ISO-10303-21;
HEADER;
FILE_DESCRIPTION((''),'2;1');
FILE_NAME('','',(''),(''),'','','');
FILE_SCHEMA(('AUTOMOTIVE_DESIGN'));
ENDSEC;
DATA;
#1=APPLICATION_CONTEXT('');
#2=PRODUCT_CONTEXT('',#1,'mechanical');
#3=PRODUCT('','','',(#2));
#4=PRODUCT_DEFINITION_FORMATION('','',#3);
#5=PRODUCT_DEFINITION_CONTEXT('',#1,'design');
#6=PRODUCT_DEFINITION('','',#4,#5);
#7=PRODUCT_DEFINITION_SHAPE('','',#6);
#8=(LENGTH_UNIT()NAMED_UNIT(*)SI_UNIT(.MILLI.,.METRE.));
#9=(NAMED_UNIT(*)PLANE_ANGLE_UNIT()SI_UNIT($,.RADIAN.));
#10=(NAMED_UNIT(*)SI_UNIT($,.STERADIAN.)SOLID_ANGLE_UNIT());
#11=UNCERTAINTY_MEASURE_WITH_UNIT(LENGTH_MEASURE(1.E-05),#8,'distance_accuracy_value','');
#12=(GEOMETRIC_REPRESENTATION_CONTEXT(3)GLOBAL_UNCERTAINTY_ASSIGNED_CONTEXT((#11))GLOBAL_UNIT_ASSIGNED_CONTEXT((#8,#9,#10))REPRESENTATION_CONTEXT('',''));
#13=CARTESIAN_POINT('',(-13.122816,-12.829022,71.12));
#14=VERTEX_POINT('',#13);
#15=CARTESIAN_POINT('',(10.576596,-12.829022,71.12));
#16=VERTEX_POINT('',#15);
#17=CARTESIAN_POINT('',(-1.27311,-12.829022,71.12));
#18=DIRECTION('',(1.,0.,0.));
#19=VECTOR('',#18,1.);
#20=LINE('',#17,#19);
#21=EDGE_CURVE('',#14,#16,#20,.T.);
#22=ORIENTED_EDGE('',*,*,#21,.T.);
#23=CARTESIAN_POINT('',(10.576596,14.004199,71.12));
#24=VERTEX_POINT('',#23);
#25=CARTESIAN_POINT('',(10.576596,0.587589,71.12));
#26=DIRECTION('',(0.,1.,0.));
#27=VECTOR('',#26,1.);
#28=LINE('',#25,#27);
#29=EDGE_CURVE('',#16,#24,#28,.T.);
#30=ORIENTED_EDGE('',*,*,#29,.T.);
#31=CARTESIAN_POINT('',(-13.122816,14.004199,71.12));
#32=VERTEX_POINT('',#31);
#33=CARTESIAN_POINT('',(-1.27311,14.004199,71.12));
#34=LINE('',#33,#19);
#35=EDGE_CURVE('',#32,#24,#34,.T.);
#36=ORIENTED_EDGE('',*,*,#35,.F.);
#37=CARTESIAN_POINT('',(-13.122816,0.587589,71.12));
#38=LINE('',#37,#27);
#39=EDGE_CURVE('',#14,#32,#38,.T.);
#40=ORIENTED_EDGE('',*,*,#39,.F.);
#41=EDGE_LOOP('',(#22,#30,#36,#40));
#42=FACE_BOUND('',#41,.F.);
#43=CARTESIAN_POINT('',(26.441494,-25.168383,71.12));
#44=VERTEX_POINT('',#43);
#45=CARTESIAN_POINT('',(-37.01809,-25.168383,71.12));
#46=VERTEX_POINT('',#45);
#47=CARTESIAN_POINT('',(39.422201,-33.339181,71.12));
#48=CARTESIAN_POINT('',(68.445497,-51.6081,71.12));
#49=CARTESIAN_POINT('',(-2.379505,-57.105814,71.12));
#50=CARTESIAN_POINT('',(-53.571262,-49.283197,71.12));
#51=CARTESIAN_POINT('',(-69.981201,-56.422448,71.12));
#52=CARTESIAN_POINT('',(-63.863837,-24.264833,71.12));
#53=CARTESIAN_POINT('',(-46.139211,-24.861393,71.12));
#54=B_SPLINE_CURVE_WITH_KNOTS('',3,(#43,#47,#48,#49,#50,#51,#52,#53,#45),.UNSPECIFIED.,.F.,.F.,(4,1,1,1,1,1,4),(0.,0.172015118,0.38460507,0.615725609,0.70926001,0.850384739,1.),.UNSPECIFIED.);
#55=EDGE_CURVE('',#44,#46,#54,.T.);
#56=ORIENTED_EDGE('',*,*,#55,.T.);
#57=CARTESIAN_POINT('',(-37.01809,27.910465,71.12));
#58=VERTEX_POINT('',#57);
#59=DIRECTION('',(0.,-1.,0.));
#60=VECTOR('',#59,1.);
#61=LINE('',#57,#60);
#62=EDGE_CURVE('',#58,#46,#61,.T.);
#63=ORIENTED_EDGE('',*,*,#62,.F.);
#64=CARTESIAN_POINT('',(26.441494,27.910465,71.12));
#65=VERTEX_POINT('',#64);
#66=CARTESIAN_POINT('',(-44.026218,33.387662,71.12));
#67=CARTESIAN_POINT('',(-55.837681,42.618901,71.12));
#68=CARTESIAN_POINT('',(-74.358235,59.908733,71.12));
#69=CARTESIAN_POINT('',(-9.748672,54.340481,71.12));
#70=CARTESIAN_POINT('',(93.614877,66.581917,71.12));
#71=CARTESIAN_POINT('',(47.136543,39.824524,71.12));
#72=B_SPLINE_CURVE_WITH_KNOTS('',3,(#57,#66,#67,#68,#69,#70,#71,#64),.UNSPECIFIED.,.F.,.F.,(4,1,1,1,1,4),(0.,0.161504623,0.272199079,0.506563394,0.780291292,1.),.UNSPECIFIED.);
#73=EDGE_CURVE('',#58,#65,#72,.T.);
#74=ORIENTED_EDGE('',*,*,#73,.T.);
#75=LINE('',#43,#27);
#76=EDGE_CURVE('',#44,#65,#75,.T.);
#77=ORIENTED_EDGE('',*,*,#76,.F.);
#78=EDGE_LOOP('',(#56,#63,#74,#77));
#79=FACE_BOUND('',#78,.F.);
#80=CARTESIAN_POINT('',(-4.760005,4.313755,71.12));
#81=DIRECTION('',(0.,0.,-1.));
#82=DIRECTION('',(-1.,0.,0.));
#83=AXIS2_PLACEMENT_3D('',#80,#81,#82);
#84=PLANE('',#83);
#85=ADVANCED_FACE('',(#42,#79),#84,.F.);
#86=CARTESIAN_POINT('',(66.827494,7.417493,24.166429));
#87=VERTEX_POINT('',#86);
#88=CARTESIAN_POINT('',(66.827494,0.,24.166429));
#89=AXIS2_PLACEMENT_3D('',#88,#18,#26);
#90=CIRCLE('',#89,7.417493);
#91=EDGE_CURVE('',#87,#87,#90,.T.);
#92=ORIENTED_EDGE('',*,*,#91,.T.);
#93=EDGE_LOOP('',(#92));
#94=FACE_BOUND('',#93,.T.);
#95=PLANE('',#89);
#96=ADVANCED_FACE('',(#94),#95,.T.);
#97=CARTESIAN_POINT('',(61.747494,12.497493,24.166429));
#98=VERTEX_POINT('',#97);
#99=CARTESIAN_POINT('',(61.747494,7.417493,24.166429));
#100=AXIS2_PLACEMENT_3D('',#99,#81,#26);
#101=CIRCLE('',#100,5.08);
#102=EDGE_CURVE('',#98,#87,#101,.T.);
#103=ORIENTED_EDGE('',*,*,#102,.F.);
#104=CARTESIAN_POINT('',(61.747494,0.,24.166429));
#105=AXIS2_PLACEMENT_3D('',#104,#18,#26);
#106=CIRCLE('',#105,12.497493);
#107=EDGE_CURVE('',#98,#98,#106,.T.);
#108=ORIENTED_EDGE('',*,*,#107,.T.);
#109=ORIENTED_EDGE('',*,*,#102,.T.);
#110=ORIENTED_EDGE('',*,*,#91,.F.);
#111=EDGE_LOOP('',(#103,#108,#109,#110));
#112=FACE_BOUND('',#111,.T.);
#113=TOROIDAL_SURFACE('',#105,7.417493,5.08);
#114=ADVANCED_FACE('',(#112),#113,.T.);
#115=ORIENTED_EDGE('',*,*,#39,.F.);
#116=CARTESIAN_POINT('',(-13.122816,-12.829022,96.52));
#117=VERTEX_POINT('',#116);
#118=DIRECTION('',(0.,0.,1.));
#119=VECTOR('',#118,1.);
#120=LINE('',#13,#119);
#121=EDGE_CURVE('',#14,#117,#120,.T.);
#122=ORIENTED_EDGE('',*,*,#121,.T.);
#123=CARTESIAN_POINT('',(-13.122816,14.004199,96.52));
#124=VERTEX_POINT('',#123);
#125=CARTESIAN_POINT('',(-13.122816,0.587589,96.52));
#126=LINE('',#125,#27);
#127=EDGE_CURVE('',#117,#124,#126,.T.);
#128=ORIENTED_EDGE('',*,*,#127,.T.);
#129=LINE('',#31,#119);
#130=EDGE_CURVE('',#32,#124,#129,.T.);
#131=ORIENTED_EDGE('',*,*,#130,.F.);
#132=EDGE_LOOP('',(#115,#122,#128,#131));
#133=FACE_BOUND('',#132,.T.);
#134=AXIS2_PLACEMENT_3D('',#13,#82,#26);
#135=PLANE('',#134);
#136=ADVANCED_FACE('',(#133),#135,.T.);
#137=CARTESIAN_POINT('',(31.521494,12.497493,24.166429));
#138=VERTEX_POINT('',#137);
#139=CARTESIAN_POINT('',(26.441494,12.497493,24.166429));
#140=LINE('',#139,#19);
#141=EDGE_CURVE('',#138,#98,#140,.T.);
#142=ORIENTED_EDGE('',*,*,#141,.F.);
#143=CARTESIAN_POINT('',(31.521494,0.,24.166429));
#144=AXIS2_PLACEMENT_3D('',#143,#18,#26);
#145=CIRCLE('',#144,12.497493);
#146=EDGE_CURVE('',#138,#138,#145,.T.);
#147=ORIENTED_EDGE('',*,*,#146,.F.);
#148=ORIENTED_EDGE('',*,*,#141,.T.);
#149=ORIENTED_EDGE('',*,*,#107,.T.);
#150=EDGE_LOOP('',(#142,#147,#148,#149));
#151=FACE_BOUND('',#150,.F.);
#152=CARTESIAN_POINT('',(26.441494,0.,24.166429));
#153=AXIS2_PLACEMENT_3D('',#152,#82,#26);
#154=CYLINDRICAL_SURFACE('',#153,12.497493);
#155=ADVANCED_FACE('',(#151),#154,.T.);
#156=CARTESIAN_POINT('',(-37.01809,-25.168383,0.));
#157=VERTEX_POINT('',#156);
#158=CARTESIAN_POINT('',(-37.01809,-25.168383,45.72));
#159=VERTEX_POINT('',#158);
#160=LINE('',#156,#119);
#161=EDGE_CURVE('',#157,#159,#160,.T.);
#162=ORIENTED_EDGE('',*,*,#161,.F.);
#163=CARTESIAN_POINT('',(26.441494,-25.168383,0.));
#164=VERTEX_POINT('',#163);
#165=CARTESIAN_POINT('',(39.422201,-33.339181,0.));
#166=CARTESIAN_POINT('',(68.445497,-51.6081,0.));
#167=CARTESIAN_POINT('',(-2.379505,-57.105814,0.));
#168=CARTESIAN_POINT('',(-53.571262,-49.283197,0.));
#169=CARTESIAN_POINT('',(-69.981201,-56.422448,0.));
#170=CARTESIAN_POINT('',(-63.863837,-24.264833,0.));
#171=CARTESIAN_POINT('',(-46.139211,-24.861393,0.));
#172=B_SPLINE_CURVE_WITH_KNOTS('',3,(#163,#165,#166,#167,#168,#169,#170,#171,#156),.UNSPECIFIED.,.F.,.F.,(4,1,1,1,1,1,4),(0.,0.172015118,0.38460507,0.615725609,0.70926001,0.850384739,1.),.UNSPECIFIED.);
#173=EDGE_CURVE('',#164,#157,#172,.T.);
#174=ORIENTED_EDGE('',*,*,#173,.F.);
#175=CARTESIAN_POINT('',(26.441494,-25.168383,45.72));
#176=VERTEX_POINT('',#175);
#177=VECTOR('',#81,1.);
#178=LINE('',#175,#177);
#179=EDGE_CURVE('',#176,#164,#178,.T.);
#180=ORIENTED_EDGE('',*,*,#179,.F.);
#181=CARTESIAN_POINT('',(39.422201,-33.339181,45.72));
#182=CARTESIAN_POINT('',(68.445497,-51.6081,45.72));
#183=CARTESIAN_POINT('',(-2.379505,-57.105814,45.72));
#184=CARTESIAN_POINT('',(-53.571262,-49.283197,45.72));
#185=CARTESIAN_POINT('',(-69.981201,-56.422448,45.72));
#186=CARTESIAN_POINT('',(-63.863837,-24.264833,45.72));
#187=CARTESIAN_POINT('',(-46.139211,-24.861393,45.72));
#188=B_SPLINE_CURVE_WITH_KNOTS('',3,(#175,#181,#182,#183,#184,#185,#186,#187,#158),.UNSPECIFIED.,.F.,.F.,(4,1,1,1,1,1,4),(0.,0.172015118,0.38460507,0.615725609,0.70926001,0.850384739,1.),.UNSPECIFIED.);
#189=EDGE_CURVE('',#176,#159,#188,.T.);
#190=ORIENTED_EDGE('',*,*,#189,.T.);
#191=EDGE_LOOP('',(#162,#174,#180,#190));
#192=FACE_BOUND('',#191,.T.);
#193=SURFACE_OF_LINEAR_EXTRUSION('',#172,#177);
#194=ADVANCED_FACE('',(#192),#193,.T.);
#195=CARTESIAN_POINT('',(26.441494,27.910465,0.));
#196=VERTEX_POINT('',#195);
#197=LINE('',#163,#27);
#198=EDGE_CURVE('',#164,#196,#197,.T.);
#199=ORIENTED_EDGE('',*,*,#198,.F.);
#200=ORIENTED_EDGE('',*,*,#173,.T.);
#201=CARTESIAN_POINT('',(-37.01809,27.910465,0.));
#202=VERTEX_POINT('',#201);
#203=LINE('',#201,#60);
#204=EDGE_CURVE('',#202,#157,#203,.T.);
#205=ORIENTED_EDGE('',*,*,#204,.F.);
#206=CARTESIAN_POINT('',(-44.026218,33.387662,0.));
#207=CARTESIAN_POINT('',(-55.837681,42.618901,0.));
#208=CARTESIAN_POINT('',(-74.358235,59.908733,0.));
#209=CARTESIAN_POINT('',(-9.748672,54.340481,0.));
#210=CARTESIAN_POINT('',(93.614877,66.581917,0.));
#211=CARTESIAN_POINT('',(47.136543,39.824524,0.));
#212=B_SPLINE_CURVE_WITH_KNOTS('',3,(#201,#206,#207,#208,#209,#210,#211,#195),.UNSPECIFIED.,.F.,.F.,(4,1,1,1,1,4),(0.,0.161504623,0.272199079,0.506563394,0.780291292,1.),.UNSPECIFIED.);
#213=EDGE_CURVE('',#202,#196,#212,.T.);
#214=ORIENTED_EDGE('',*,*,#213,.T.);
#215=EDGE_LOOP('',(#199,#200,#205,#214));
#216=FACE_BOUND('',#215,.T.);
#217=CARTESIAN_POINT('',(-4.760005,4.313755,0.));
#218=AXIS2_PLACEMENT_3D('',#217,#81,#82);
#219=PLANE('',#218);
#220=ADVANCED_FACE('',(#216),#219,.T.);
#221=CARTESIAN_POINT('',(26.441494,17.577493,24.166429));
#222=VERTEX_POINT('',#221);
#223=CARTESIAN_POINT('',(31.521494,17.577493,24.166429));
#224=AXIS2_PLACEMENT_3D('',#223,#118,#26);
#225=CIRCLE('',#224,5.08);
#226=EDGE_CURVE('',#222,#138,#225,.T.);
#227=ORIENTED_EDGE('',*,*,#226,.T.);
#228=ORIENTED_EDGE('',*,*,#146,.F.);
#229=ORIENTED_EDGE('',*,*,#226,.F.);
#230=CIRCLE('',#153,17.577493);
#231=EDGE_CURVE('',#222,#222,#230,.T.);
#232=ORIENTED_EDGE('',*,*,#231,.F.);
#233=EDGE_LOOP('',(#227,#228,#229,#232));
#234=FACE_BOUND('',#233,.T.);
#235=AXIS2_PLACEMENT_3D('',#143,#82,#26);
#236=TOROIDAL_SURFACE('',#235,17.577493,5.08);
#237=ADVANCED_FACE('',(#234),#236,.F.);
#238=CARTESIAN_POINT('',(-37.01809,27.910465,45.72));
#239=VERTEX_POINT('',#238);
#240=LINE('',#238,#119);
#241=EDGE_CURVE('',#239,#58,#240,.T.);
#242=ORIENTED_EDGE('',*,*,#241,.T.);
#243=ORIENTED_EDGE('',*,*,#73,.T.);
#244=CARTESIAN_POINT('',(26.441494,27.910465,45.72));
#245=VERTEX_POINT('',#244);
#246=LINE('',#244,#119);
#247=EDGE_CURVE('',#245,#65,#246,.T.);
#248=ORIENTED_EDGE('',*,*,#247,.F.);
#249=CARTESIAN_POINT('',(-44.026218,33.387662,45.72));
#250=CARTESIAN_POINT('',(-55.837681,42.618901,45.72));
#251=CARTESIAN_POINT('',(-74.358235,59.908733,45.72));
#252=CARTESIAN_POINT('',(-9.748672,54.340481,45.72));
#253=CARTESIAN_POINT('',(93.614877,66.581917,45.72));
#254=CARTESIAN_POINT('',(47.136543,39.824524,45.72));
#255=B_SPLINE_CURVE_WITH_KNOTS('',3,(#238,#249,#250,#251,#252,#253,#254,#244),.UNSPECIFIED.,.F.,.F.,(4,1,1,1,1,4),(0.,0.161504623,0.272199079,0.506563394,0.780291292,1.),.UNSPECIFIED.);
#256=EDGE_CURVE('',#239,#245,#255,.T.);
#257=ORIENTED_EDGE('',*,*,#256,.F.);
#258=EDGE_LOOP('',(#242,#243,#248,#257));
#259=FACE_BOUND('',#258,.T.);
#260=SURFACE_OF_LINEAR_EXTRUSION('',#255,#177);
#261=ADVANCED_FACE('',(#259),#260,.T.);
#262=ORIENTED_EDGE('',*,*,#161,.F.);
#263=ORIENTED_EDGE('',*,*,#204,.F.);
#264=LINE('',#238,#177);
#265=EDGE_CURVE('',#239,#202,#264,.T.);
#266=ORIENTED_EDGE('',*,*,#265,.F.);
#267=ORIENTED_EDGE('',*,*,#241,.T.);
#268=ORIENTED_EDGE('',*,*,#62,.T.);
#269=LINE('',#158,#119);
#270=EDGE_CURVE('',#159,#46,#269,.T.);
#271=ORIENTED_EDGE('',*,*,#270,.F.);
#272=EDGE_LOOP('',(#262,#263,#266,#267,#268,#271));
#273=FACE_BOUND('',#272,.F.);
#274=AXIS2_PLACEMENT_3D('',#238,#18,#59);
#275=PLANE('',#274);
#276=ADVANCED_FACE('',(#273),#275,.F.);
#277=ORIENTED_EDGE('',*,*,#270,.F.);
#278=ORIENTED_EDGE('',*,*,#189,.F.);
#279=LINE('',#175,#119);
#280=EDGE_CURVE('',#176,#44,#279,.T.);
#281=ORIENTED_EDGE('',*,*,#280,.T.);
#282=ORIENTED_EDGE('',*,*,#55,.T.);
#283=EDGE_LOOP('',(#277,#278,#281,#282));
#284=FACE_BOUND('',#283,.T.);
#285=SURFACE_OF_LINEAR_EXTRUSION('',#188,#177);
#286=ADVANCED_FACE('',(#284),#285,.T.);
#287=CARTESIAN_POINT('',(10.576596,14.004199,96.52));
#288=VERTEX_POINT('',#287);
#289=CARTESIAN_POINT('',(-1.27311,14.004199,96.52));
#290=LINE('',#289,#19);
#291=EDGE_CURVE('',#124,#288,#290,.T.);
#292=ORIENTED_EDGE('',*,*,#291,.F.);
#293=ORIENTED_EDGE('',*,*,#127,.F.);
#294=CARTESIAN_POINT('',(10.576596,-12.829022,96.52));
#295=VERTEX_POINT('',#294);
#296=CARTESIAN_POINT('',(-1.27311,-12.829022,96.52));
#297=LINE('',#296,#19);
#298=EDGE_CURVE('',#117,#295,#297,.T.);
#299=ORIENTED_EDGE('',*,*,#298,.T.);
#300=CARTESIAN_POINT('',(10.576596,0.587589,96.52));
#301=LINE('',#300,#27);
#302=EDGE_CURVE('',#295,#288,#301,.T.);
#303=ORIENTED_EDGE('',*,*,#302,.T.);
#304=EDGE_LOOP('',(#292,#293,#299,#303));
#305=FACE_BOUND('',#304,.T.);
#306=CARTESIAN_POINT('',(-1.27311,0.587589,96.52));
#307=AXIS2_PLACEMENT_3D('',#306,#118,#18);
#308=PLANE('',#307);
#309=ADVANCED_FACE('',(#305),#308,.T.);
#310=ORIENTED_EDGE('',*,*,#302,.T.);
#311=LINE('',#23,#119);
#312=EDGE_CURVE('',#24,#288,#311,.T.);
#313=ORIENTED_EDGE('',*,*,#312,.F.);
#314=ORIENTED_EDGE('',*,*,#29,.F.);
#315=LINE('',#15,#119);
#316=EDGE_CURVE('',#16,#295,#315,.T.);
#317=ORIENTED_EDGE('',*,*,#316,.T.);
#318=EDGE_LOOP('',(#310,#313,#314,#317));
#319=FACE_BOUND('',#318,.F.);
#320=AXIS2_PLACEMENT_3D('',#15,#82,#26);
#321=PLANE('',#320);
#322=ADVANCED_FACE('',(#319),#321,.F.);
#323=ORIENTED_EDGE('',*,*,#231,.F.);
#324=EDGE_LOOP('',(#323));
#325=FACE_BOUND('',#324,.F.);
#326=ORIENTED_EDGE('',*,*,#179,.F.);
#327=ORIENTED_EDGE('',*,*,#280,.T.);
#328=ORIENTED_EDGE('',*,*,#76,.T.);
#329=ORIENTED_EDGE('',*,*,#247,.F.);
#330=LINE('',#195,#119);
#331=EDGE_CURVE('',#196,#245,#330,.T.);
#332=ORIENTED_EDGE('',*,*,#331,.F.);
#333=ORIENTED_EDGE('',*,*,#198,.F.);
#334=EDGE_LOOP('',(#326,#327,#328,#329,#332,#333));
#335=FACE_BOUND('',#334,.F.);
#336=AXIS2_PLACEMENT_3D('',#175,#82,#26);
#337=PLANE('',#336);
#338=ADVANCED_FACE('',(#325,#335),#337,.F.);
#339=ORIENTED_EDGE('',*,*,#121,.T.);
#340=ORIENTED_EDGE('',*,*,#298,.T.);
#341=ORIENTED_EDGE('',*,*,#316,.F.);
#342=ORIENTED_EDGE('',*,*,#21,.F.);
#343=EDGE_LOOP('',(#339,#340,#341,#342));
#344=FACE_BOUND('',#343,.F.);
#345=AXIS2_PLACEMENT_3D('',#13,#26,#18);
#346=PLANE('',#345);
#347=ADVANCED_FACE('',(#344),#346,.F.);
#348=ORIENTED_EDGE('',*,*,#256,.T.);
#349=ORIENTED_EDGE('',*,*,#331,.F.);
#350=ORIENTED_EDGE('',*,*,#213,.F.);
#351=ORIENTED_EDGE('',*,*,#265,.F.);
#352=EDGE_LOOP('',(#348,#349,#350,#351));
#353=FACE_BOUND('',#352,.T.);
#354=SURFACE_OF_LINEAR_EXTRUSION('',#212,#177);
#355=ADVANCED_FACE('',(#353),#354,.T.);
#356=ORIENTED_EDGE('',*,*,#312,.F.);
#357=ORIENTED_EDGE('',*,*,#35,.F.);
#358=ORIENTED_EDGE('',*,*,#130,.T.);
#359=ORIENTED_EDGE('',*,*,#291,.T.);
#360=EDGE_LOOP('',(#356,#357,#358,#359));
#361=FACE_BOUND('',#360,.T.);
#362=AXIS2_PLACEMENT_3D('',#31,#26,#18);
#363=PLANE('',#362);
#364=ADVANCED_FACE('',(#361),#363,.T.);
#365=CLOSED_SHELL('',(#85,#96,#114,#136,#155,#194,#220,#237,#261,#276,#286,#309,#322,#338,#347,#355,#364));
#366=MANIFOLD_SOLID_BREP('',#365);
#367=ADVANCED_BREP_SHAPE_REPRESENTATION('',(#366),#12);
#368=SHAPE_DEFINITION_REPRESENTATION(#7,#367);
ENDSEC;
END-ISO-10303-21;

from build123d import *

# Parameters (mm, degrees)
F1_DEPTH = 45.72
F2_R     = 12.4974932992
F3_DEPTH = 40.386
F4_R     = 5.08
F5_W     = 28.9877112955
F5_H     = 43.2857032865
F6_DEPTH = 25.4
F7_W     = 23.6994121224
F7_H     = 26.833220385
F8_DEPTH = 25.4


with BuildPart() as f1:
    # F0 (on Top) → F1 (new body)
    with BuildSketch(Plane.XY):
        with BuildLine():
            add(Edge.make_bspline(
                [(-37.0180904865, 27.9104653746), (-44.0262181446, 33.3876618144), (-55.8376812654, 42.618901157), (-74.3582353785, 59.9087325476), (-9.7486724923, 54.3404813051), (93.6148765495, 66.5819174177), (47.1365427977, 39.8245235425), (26.4414940029, 27.9104653746)],
                knots=[0, 0, 0, 0, 0.1615046227, 0.2721990791, 0.5065633939, 0.7802912924, 1, 1, 1, 1], degree=3))
            Line((-37.0180904865, 27.9104653746), (-37.0180904865, -25.168383494))
            add(Edge.make_bspline(
                [(26.4414940029, -25.168383494), (39.4222010461, -33.3391810672), (68.4454973322, -51.6080995531), (-2.3795046828, -57.1058141044), (-53.5712618708, -49.2831973981), (-69.9812010465, -56.4224478617), (-63.8638372564, -24.2648327427), (-46.139211205, -24.861392761), (-37.0180904865, -25.168383494)],
                knots=[0, 0, 0, 0, 0.1720151184, 0.3846050704, 0.6157256085, 0.7092600098, 0.8503847393, 1, 1, 1, 1], degree=3))
            Line((26.4414940029, -25.168383494), (26.4414940029, 27.9104653746))
        make_face()
    extrude(amount=F1_DEPTH)

    # F2 (on face) → F3 (join)
    with BuildSketch(Plane.YZ.offset(26.4414940029)):
        with Locations((0, 24.1664294153)):
            Circle(F2_R)
    extrude(amount=F3_DEPTH)

    # F4
    f4_edges = [f1.edges().sort_by_distance(p)[0] for p in [
        (46.634494, 12.497493, 24.166429),
        (26.441494, -12.497493, 24.166429),
        (66.827494, -12.497493, 24.166429),
    ]]
    fillet(f4_edges, radius=F4_R)

    # F5 (on face) + F1_face1 (on face) + F1_face2 (on face) → F6 (join)
    with BuildSketch(Plane.XY.offset(45.72)):
        with BuildLine():
            add(Edge.make_bspline(
                [(-37.0180904865, 27.9104653746), (-44.0262181446, 33.3876618144), (-55.8376812654, 42.618901157), (-74.3582353785, 59.9087325476), (-9.7486724923, 54.3404813051), (93.6148765495, 66.5819174177), (47.1365427977, 39.8245235425), (26.4414940029, 27.9104653746)],
                knots=[0, 0, 0, 0, 0.1615046227, 0.2721990791, 0.5065633939, 0.7802912924, 1, 1, 1, 1], degree=3))
            Line((-37.0180904865, 27.9104653746), (-37.0180904865, -25.168383494))
            add(Edge.make_bspline(
                [(26.4414940029, -25.168383494), (39.4222010461, -33.3391810672), (68.4454973322, -51.6080995531), (-2.3795046828, -57.1058141044), (-53.5712618708, -49.2831973981), (-69.9812010465, -56.4224478617), (-63.8638372564, -24.2648327427), (-46.139211205, -24.861392761), (-37.0180904865, -25.168383494)],
                knots=[0, 0, 0, 0, 0.1720151184, 0.3846050704, 0.6157256085, 0.7092600098, 0.8503847393, 1, 1, 1, 1], degree=3))
            Line((26.4414940029, -25.168383494), (26.4414940029, 27.9104653746))
        make_face()
        with Locations((-3.1338064, 3.1338064)):
            Rectangle(F5_W, F5_H, mode=Mode.SUBTRACT)
        with Locations((-3.1338064, 3.1338064)):
            Rectangle(F5_W, F5_H)
    with BuildSketch(Plane(origin=(-5.0458148785, 2.7981816275, 45.72), x_dir=(1, 0, 0), z_dir=(0, 0, 1))):
        with BuildLine():
            add(Edge.make_bspline(
                [(-31.9722756081, 25.1122837471), (-38.9804032661, 30.5894801869), (-50.7918663869, 39.8207195294), (-69.3124205, 57.1105509201), (-4.7028576138, 51.5422996775), (98.6606914279, 63.7837357902), (52.1823576762, 37.026341915), (31.4873088814, 25.1122837471)],
                knots=[0, 0, 0, 0, 0.1615046227, 0.2721990791, 0.5065633939, 0.7802912924, 1, 1, 1, 1], degree=3))
            Line((-31.9722756081, 25.1122837471), (-31.9722756081, -27.9665651215))
            add(Edge.make_bspline(
                [(31.4873088814, -27.9665651215), (44.4680159246, -36.1373626947), (73.4913122106, -54.4062811806), (2.6663101956, -59.903995732), (-48.5254469923, -52.0813790257), (-64.935386168, -59.2206294892), (-58.8180223779, -27.0630143702), (-41.0933963265, -27.6595743886), (-31.9722756081, -27.9665651215)],
                knots=[0, 0, 0, 0, 0.1720151184, 0.3846050704, 0.6157256085, 0.7092600098, 0.8503847393, 1, 1, 1, 1], degree=3))
            Line((31.4873088814, -27.9665651215), (31.4873088814, 25.1122837471))
        make_face()
    with BuildSketch(Plane(origin=(-5.0458148785, 2.7981816275, 0), x_dir=(1, 0, 0), z_dir=(0, 0, -1))):
        with BuildLine():
            add(Edge.make_bspline(
                [(-31.9722756081, -25.1122837471), (-38.9804032661, -30.5894801869), (-50.7918663869, -39.8207195294), (-69.3124205, -57.1105509201), (-4.7028576138, -51.5422996775), (98.6606914279, -63.7837357902), (52.1823576762, -37.026341915), (31.4873088814, -25.1122837471)],
                knots=[0, 0, 0, 0, 0.1615046227, 0.2721990791, 0.5065633939, 0.7802912924, 1, 1, 1, 1], degree=3))
            Line((31.4873088814, -25.1122837471), (31.4873088814, 27.9665651215))
            add(Edge.make_bspline(
                [(31.4873088814, 27.9665651215), (44.4680159246, 36.1373626947), (73.4913122106, 54.4062811806), (2.6663101956, 59.903995732), (-48.5254469923, 52.0813790257), (-64.935386168, 59.2206294892), (-58.8180223779, 27.0630143702), (-41.0933963265, 27.6595743886), (-31.9722756081, 27.9665651215)],
                knots=[0, 0, 0, 0, 0.1720151184, 0.3846050704, 0.6157256085, 0.7092600098, 0.8503847393, 1, 1, 1, 1], degree=3))
            Line((-31.9722756081, 27.9665651215), (-31.9722756081, -25.1122837471))
        make_face()
    extrude(amount=F6_DEPTH, dir=(0, 0, 1))

    # F7 (on face) → F8 (join)
    with BuildSketch(Plane.XY.offset(71.12)):
        with Locations((-1.2731095776, 0.5875886418)):
            Rectangle(F7_W, F7_H)
    extrude(amount=F8_DEPTH)


solid = f1.part
